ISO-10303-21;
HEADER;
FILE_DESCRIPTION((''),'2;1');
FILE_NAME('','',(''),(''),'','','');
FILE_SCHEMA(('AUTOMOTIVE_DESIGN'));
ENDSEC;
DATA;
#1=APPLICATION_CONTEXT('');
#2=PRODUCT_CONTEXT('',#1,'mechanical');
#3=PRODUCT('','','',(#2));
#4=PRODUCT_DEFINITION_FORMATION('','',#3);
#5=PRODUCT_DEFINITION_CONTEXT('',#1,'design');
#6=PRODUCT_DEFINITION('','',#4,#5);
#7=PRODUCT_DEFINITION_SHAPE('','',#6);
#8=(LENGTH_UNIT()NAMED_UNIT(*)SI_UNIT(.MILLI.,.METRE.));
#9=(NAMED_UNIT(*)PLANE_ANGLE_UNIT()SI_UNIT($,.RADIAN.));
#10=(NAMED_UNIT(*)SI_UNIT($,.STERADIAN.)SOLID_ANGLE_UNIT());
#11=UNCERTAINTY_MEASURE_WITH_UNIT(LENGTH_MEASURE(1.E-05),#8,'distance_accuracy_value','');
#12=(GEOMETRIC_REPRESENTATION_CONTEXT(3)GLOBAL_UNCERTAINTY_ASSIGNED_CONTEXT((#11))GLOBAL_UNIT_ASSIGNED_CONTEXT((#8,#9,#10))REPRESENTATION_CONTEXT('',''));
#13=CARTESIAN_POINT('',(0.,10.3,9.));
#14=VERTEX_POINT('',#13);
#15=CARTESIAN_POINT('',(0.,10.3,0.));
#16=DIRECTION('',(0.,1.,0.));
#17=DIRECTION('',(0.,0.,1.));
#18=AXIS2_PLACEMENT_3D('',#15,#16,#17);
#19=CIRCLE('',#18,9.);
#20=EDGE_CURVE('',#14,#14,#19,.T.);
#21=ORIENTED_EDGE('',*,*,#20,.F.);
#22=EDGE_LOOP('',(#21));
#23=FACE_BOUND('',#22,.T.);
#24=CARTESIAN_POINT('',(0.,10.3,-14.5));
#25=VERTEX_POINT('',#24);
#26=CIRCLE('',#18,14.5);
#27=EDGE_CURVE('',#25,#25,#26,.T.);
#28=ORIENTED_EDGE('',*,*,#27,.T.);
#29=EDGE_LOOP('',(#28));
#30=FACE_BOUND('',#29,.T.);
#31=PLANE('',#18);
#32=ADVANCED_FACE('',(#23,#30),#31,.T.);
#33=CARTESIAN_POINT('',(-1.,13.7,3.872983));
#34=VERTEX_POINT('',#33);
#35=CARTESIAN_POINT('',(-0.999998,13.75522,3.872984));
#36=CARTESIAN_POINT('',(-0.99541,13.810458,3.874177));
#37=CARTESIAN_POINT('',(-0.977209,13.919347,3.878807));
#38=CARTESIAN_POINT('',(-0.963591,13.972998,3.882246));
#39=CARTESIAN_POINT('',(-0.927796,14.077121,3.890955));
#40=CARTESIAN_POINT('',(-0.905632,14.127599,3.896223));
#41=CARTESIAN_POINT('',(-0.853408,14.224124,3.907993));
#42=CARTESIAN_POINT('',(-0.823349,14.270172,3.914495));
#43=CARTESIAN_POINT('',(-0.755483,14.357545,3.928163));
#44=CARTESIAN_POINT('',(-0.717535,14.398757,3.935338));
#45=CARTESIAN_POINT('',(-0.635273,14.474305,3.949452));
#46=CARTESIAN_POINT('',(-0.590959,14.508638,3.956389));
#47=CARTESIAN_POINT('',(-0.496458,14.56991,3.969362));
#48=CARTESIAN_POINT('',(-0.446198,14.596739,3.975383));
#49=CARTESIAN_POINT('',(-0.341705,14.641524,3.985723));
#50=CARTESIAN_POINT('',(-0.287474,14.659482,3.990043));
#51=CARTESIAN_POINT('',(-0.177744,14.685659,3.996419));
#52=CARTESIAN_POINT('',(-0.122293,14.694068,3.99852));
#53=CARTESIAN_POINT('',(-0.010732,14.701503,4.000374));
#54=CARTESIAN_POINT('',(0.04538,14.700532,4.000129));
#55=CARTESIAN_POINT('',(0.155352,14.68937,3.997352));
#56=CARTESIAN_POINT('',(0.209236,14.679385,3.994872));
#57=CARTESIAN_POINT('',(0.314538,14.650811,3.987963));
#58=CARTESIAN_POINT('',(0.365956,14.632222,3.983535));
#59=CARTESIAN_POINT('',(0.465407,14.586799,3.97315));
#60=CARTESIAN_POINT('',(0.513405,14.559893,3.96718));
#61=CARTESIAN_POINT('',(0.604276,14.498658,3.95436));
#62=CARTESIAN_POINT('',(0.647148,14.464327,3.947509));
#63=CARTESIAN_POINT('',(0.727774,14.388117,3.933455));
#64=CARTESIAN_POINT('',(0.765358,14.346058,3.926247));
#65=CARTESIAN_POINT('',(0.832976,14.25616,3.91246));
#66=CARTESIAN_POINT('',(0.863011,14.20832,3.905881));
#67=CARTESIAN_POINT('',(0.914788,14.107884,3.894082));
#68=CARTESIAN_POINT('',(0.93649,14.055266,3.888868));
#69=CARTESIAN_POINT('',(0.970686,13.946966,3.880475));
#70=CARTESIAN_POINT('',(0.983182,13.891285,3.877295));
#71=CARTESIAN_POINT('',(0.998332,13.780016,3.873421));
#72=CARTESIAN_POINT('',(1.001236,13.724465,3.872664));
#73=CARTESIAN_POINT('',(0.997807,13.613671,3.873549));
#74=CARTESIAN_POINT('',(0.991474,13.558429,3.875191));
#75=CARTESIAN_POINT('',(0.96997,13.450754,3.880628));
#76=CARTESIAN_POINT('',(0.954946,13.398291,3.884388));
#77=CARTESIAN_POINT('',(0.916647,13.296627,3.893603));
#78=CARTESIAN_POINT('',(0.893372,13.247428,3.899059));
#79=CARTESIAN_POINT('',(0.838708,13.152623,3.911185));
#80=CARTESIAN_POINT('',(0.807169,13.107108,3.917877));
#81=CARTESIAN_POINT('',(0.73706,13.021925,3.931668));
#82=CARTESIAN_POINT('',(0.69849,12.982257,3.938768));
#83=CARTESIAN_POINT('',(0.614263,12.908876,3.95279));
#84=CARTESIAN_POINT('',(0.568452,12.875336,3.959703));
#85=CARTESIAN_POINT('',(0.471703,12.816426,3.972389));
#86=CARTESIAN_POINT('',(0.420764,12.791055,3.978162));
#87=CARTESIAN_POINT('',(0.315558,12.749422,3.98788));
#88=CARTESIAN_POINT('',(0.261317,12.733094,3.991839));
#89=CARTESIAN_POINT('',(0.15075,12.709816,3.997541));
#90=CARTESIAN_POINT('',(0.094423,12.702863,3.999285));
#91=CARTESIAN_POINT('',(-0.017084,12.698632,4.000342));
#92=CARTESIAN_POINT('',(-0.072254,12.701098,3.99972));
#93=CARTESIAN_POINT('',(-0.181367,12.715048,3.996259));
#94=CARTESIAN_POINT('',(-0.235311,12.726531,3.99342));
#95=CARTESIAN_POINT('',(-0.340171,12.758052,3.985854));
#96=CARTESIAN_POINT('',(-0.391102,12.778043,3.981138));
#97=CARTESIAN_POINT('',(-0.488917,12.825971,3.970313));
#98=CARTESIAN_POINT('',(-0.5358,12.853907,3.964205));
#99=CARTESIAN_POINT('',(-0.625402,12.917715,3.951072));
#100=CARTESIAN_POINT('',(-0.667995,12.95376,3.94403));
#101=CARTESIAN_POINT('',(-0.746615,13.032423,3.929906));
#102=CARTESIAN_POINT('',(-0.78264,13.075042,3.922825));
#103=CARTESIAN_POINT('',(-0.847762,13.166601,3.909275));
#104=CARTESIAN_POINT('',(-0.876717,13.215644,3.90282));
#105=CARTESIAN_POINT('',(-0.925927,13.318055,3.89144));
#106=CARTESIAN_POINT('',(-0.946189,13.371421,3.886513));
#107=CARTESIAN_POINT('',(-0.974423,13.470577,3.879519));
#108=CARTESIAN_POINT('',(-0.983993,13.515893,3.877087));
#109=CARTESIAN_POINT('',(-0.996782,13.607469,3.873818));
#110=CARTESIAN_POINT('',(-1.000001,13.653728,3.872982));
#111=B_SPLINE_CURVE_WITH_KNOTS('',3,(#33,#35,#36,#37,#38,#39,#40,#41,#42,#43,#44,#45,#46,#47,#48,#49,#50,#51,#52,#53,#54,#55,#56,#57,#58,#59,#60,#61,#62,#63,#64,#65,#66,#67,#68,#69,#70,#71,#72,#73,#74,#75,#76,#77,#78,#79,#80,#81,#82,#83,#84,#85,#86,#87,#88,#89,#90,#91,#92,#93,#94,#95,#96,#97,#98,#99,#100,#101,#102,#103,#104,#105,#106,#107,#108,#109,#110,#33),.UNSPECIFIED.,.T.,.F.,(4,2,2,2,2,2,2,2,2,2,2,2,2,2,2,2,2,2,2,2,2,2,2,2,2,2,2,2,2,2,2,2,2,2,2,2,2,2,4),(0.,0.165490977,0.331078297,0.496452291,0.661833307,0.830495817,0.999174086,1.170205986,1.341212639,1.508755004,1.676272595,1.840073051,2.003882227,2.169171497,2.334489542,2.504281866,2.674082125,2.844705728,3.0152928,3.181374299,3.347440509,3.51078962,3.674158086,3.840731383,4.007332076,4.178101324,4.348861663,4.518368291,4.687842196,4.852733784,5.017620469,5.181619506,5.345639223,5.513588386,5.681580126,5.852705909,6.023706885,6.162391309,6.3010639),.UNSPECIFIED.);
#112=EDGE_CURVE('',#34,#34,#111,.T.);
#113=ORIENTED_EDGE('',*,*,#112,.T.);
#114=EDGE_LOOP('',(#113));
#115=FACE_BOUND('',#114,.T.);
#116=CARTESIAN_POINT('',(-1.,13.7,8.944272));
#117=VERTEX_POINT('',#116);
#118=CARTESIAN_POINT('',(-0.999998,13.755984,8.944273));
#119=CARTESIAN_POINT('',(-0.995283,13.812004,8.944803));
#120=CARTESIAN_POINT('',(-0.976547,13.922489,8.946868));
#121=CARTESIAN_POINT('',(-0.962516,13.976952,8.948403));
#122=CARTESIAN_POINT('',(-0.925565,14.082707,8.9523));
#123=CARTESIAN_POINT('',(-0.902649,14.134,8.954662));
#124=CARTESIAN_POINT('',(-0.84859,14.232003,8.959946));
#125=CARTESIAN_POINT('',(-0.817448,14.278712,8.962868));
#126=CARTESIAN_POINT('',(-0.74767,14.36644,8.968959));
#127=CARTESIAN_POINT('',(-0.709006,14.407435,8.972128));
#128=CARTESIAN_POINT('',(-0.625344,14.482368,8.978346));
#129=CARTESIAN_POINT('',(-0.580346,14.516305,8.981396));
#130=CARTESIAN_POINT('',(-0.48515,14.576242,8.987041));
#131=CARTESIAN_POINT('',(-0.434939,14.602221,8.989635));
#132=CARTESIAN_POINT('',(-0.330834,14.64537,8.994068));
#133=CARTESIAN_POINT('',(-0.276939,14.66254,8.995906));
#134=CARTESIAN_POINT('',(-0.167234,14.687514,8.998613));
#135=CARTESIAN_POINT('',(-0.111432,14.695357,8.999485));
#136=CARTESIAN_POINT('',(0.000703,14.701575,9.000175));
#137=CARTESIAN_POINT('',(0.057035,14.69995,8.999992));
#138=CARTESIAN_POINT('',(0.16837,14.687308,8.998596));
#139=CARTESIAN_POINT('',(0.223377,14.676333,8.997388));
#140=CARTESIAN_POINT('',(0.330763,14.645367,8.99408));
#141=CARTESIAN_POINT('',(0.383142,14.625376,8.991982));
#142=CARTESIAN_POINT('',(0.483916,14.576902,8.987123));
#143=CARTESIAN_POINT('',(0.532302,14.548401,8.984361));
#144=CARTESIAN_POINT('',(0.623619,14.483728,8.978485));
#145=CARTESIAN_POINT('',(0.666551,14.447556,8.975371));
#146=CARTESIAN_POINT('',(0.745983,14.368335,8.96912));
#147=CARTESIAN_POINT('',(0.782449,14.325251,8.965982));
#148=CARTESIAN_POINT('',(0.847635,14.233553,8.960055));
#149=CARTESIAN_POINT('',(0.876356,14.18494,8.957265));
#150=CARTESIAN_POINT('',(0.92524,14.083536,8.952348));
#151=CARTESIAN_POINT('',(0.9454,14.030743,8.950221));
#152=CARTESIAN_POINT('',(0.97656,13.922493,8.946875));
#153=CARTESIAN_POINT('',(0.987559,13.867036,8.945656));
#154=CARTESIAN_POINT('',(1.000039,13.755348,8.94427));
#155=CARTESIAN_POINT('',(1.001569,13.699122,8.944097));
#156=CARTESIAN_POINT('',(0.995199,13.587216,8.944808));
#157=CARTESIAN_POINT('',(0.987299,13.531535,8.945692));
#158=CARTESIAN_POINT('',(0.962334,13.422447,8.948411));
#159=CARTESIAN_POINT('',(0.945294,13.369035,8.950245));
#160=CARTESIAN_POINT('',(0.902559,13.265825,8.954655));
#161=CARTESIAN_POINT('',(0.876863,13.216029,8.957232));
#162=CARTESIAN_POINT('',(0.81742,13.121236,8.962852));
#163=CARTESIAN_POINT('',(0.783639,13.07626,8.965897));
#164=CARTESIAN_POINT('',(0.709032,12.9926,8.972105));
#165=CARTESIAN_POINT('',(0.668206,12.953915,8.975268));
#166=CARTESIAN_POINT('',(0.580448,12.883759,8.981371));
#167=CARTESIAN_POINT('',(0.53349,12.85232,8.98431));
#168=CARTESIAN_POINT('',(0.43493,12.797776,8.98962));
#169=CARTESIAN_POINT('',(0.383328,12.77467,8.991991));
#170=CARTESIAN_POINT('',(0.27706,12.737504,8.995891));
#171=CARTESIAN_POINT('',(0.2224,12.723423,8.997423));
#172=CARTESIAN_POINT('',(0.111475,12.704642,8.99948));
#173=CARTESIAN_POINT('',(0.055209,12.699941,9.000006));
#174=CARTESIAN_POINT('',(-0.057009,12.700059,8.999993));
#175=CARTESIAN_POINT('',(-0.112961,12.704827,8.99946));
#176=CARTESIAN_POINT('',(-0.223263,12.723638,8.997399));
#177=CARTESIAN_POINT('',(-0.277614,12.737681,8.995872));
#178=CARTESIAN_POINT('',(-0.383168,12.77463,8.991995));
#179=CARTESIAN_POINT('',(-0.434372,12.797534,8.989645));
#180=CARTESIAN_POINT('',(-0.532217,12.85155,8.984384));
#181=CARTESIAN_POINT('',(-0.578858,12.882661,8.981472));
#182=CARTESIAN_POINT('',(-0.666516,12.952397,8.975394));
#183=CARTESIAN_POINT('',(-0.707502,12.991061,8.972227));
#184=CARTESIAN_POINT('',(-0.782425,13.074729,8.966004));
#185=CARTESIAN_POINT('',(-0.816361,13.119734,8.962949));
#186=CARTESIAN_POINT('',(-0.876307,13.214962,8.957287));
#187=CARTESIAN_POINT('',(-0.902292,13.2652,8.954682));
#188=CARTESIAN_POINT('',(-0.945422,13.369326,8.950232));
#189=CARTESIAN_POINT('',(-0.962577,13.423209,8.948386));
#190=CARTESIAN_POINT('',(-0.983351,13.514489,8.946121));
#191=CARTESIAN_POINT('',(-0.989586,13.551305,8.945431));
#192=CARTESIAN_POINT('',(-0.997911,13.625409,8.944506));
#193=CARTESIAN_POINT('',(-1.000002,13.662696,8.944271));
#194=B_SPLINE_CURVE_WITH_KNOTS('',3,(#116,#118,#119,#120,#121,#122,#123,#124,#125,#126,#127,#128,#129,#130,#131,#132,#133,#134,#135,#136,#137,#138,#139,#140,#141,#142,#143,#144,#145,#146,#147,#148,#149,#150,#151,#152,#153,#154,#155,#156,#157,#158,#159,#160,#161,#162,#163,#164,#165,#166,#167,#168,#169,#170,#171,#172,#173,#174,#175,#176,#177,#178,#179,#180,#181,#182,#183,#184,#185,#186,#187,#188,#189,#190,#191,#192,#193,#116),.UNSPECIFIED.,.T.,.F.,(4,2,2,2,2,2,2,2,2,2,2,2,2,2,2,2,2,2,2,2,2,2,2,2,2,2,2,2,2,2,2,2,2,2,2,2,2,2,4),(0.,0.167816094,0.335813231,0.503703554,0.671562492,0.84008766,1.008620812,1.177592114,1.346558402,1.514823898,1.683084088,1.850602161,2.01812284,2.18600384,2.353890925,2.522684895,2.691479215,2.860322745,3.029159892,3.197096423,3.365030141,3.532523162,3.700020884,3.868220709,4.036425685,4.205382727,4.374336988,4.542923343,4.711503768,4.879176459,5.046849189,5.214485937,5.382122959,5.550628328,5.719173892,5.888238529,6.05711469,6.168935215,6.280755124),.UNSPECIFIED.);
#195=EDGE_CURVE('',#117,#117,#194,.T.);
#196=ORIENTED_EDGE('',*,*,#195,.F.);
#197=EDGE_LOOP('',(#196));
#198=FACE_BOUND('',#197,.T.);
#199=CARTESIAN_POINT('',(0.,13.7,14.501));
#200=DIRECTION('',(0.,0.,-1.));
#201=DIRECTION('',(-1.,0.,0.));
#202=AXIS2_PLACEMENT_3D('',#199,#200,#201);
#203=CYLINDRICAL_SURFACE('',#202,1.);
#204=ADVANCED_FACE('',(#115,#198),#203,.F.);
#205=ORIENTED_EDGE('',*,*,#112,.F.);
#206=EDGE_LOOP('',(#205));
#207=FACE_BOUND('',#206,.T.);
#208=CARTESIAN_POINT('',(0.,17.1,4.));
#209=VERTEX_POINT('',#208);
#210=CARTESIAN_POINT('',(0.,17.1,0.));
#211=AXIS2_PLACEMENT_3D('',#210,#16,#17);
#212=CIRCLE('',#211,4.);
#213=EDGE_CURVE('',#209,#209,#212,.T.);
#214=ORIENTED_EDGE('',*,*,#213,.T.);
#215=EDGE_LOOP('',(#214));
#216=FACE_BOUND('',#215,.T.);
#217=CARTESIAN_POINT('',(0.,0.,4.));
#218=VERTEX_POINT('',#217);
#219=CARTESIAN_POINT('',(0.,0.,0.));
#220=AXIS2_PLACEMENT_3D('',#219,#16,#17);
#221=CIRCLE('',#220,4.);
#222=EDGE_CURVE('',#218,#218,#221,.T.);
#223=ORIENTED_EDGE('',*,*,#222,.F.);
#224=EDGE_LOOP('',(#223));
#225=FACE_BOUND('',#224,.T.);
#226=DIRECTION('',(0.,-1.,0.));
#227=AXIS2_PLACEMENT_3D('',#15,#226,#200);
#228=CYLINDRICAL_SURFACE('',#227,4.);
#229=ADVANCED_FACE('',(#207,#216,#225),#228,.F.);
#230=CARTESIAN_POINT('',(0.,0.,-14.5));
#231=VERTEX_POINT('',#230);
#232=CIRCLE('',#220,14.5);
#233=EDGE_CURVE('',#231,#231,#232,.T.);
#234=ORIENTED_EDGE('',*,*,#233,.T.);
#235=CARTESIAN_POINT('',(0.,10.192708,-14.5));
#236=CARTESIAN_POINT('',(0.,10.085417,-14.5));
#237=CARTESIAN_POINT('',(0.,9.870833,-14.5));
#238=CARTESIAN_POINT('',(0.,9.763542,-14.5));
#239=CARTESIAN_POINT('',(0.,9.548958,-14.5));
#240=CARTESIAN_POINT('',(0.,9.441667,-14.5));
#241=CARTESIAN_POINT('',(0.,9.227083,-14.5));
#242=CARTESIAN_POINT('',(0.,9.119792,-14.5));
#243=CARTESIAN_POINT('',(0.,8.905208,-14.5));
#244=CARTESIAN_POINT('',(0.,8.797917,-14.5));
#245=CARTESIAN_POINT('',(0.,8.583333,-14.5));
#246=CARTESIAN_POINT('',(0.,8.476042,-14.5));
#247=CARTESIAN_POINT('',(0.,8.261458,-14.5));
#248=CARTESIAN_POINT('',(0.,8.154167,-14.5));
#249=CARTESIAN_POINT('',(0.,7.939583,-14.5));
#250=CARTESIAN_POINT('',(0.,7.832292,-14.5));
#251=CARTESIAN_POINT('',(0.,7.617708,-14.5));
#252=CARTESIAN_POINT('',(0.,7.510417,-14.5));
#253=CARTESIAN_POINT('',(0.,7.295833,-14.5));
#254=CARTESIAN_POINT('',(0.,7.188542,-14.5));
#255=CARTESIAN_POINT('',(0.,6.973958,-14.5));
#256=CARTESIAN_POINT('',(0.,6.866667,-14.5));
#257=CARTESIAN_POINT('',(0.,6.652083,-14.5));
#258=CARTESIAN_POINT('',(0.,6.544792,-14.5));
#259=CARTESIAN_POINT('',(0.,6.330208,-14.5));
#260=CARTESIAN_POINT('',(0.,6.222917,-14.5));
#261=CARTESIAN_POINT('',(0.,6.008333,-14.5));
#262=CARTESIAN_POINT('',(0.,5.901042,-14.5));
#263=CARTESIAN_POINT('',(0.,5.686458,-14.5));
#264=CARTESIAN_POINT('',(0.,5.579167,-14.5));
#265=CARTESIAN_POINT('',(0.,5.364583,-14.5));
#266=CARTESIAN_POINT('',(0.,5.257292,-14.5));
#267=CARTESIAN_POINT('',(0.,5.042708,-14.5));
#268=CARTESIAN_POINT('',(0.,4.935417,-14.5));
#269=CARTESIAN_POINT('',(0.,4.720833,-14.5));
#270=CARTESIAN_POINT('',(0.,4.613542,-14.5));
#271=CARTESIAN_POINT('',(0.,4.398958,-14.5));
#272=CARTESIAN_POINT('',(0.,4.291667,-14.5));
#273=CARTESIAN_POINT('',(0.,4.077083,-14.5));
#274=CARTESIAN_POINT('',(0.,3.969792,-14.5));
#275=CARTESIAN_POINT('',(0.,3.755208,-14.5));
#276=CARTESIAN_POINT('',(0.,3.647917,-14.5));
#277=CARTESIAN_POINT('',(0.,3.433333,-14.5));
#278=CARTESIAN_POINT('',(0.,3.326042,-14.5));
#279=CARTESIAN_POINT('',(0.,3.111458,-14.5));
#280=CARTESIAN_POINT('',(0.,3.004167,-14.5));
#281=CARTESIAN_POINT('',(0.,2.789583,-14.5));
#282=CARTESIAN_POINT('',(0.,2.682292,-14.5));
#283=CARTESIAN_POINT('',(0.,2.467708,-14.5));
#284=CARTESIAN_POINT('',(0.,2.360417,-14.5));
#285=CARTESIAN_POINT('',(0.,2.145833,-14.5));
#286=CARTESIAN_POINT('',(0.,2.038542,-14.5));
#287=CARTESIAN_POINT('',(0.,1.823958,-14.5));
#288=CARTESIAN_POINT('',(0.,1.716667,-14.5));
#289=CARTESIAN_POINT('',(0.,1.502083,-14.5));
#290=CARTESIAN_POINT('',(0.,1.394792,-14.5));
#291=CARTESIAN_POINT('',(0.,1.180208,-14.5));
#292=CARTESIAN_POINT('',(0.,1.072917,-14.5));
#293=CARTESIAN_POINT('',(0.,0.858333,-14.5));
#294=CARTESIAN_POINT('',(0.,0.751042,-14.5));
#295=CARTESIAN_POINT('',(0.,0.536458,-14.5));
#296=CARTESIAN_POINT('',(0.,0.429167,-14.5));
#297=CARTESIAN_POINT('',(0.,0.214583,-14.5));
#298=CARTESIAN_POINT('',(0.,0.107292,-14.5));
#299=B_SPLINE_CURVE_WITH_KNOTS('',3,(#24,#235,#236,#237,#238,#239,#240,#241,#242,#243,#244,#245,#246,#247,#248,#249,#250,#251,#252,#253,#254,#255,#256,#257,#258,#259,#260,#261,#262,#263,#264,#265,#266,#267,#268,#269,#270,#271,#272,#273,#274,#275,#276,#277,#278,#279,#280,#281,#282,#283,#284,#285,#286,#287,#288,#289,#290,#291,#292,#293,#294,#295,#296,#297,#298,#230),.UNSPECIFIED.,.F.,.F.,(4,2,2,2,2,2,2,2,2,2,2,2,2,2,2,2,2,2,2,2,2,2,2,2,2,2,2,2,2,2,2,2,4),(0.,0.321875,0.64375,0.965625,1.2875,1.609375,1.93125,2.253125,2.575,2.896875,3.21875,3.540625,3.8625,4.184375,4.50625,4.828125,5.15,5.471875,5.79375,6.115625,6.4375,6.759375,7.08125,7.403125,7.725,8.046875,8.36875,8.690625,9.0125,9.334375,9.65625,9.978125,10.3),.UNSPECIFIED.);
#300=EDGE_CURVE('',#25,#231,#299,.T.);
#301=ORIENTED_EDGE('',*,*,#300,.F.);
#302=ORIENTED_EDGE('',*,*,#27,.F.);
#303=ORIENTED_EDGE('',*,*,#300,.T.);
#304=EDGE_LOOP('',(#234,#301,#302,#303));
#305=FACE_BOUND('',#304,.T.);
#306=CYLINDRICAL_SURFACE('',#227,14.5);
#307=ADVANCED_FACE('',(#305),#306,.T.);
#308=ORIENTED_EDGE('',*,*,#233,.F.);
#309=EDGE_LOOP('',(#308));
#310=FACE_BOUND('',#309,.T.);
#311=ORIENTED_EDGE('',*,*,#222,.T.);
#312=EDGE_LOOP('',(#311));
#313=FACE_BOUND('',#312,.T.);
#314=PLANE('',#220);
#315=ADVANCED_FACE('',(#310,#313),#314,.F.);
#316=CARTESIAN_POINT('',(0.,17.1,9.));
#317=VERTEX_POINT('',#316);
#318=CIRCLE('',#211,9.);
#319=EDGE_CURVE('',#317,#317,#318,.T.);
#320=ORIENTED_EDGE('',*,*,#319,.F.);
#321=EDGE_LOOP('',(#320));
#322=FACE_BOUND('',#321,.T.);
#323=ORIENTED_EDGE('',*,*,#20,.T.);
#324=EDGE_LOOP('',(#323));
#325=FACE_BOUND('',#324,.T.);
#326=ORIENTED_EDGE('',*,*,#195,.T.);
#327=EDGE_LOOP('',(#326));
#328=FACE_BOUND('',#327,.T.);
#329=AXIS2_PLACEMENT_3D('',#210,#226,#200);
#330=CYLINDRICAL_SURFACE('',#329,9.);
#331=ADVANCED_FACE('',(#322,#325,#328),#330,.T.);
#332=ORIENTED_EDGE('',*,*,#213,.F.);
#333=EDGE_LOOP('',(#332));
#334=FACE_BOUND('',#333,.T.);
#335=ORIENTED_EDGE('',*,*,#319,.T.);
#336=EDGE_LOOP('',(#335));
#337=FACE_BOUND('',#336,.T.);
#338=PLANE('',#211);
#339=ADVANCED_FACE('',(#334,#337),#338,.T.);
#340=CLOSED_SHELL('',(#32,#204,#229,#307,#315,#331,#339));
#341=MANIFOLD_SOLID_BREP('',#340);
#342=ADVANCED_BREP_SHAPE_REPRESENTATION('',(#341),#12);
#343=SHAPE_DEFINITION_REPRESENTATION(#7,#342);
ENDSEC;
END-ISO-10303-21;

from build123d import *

# Parameters (mm, degrees)
SKETCH_1_R               = 14.5
SKETCH_1_R_2             = 4
EXTRUDE_1_DEPTH          = 10.3
SKETCH_2_R               = 9
SKETCH_2_R_2             = 4
EXTRUDE_2_DEPTH          = 6.8
CUT_EXTRUDE_1_REACH      = 28.7
CUT_EXTRUDE_1_END_RADIUS = 9
SKETCH_3_R               = 1


with BuildPart() as part:
    # 草圖1 → 填料-伸長1 (new body)
    with BuildSketch(Plane(origin=(0, 0, 0), x_dir=(1, 0, 0), z_dir=(0, 1, 0))):
        with Locations(Location((0, 0, 0), (0, 0, 90))):
            Circle(SKETCH_1_R)
        with Locations(Location((0, 0, 0), (0, 0, 90))):
            Circle(SKETCH_1_R_2, mode=Mode.SUBTRACT)
    extrude(amount=EXTRUDE_1_DEPTH)

    # 草圖2 → 填料-伸長2 (add)
    with BuildSketch(Plane(origin=(0, 10.3, 0), x_dir=(1, 0, 0), z_dir=(0, 1, 0))):
        with Locations(Location((0, 0, 0), (0, 0, 270))):
            Circle(SKETCH_2_R)
        with Locations(Location((0, 0, 0), (0, 0, 90))):
            Circle(SKETCH_2_R_2, mode=Mode.SUBTRACT)
    extrude(amount=EXTRUDE_2_DEPTH)

    # 除料-伸長1: up to this cylinder (the profile starts inside it)
    cut_extrude_1_end = Plane(origin=(0, 13.7, 0), z_dir=(0, -1, 0)) * Cylinder(CUT_EXTRUDE_1_END_RADIUS, 76.4, mode=Mode.PRIVATE)
    # 草圖3 → 除料-伸長1 (cut, up to the surface)
    with BuildSketch(Plane.XY, mode=Mode.PRIVATE) as cut_extrude_1_sk1:
        with Locations(Location((0, 13.7, 0), (0, 0, 180))):
            Circle(SKETCH_3_R)
    cut_extrude_1_tool1 = extrude(cut_extrude_1_sk1.sketch, amount=CUT_EXTRUDE_1_REACH, mode=Mode.PRIVATE) & cut_extrude_1_end
    add(cut_extrude_1_tool1.solids().sort_by_distance((0, 13.7, 0))[0], mode=Mode.SUBTRACT)


solid = part.part
